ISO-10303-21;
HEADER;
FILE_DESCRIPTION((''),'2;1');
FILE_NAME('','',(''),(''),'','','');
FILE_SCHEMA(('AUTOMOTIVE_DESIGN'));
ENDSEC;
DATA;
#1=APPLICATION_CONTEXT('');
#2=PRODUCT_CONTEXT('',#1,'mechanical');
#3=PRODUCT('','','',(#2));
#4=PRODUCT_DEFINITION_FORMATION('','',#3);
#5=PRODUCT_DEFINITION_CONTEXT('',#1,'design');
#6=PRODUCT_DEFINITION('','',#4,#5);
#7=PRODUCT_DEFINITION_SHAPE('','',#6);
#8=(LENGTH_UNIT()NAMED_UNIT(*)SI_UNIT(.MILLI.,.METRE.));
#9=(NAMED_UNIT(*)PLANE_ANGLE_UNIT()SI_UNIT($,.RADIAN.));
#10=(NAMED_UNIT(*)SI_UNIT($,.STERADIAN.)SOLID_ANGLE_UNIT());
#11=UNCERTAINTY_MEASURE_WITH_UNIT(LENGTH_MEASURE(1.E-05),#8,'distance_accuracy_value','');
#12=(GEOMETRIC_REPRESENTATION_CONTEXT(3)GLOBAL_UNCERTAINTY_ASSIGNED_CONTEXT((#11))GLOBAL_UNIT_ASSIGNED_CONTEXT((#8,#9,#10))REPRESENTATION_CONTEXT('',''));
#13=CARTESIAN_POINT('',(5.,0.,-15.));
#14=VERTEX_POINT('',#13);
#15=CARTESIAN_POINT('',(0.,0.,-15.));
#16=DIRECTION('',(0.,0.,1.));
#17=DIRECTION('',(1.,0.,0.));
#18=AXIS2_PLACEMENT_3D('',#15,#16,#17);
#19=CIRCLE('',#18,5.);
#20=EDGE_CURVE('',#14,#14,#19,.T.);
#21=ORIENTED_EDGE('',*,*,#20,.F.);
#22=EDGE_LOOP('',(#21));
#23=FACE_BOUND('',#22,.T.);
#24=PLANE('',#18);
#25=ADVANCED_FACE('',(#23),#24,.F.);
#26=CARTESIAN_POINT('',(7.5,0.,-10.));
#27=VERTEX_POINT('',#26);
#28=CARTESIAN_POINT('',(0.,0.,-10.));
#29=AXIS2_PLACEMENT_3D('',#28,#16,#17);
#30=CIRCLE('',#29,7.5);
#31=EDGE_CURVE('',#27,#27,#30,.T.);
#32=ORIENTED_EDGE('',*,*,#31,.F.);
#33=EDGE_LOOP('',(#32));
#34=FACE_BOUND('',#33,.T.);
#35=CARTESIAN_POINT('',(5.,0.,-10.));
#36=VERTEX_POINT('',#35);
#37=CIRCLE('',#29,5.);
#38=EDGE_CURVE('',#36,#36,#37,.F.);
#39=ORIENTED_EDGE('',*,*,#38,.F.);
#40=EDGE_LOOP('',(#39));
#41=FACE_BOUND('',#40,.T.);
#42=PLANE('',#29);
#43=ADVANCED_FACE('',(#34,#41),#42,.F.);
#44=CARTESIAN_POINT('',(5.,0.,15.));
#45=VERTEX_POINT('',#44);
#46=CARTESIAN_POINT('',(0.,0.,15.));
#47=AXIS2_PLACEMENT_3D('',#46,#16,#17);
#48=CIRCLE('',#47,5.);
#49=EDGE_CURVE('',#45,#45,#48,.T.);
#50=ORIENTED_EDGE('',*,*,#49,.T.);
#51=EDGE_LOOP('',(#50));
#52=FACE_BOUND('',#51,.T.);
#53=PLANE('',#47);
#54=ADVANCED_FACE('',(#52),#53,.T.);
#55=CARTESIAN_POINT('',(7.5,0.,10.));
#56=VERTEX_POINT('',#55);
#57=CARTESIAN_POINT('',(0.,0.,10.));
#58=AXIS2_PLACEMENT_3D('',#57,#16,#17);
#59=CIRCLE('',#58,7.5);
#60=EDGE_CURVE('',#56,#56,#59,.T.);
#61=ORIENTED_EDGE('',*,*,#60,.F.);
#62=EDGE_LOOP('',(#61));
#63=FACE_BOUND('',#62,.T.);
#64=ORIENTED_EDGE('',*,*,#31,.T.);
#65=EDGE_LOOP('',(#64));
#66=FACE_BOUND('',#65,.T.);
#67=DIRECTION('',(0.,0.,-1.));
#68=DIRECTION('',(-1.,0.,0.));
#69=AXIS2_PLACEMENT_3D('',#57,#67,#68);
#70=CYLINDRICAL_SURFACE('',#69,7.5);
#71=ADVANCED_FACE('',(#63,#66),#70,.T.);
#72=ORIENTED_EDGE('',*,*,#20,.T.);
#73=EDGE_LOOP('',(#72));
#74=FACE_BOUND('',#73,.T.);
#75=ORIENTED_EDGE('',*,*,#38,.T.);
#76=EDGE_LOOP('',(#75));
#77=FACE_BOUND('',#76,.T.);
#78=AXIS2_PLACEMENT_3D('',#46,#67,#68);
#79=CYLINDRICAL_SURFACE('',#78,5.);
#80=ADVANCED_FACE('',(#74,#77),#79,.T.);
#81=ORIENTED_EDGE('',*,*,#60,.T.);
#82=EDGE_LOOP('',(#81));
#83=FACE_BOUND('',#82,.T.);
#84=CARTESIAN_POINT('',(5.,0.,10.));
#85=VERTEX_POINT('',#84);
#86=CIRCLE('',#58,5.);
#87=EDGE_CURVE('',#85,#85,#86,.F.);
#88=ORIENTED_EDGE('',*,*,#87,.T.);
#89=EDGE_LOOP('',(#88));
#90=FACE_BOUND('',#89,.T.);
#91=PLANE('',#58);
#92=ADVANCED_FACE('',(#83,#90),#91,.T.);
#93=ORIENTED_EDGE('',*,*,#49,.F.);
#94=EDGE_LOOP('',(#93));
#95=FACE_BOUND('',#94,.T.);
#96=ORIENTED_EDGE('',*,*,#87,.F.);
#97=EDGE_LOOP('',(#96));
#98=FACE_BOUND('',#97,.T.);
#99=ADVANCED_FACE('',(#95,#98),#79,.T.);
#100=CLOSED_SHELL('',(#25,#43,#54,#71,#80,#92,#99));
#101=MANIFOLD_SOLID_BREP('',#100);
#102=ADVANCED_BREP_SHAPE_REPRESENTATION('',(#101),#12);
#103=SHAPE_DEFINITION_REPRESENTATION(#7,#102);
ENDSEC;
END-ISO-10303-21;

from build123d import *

# Parameters (mm, degrees)
SKETCH1_R           = 7.5
BOSS_EXTRUDE1_DEPTH = 10
SKETCH2_R           = 5
BOSS_EXTRUDE2_DEPTH = 15


with BuildPart() as part:
    # Sketch1 → Boss-Extrude1 (new body, symmetric)
    with BuildSketch(Plane.XY):
        Circle(SKETCH1_R)
    extrude(amount=BOSS_EXTRUDE1_DEPTH, both=True)

    # Sketch2 → Boss-Extrude2 (add, symmetric)
    with BuildSketch(Plane.XY):
        Circle(SKETCH2_R)
    extrude(amount=BOSS_EXTRUDE2_DEPTH, both=True)


solid = part.part
